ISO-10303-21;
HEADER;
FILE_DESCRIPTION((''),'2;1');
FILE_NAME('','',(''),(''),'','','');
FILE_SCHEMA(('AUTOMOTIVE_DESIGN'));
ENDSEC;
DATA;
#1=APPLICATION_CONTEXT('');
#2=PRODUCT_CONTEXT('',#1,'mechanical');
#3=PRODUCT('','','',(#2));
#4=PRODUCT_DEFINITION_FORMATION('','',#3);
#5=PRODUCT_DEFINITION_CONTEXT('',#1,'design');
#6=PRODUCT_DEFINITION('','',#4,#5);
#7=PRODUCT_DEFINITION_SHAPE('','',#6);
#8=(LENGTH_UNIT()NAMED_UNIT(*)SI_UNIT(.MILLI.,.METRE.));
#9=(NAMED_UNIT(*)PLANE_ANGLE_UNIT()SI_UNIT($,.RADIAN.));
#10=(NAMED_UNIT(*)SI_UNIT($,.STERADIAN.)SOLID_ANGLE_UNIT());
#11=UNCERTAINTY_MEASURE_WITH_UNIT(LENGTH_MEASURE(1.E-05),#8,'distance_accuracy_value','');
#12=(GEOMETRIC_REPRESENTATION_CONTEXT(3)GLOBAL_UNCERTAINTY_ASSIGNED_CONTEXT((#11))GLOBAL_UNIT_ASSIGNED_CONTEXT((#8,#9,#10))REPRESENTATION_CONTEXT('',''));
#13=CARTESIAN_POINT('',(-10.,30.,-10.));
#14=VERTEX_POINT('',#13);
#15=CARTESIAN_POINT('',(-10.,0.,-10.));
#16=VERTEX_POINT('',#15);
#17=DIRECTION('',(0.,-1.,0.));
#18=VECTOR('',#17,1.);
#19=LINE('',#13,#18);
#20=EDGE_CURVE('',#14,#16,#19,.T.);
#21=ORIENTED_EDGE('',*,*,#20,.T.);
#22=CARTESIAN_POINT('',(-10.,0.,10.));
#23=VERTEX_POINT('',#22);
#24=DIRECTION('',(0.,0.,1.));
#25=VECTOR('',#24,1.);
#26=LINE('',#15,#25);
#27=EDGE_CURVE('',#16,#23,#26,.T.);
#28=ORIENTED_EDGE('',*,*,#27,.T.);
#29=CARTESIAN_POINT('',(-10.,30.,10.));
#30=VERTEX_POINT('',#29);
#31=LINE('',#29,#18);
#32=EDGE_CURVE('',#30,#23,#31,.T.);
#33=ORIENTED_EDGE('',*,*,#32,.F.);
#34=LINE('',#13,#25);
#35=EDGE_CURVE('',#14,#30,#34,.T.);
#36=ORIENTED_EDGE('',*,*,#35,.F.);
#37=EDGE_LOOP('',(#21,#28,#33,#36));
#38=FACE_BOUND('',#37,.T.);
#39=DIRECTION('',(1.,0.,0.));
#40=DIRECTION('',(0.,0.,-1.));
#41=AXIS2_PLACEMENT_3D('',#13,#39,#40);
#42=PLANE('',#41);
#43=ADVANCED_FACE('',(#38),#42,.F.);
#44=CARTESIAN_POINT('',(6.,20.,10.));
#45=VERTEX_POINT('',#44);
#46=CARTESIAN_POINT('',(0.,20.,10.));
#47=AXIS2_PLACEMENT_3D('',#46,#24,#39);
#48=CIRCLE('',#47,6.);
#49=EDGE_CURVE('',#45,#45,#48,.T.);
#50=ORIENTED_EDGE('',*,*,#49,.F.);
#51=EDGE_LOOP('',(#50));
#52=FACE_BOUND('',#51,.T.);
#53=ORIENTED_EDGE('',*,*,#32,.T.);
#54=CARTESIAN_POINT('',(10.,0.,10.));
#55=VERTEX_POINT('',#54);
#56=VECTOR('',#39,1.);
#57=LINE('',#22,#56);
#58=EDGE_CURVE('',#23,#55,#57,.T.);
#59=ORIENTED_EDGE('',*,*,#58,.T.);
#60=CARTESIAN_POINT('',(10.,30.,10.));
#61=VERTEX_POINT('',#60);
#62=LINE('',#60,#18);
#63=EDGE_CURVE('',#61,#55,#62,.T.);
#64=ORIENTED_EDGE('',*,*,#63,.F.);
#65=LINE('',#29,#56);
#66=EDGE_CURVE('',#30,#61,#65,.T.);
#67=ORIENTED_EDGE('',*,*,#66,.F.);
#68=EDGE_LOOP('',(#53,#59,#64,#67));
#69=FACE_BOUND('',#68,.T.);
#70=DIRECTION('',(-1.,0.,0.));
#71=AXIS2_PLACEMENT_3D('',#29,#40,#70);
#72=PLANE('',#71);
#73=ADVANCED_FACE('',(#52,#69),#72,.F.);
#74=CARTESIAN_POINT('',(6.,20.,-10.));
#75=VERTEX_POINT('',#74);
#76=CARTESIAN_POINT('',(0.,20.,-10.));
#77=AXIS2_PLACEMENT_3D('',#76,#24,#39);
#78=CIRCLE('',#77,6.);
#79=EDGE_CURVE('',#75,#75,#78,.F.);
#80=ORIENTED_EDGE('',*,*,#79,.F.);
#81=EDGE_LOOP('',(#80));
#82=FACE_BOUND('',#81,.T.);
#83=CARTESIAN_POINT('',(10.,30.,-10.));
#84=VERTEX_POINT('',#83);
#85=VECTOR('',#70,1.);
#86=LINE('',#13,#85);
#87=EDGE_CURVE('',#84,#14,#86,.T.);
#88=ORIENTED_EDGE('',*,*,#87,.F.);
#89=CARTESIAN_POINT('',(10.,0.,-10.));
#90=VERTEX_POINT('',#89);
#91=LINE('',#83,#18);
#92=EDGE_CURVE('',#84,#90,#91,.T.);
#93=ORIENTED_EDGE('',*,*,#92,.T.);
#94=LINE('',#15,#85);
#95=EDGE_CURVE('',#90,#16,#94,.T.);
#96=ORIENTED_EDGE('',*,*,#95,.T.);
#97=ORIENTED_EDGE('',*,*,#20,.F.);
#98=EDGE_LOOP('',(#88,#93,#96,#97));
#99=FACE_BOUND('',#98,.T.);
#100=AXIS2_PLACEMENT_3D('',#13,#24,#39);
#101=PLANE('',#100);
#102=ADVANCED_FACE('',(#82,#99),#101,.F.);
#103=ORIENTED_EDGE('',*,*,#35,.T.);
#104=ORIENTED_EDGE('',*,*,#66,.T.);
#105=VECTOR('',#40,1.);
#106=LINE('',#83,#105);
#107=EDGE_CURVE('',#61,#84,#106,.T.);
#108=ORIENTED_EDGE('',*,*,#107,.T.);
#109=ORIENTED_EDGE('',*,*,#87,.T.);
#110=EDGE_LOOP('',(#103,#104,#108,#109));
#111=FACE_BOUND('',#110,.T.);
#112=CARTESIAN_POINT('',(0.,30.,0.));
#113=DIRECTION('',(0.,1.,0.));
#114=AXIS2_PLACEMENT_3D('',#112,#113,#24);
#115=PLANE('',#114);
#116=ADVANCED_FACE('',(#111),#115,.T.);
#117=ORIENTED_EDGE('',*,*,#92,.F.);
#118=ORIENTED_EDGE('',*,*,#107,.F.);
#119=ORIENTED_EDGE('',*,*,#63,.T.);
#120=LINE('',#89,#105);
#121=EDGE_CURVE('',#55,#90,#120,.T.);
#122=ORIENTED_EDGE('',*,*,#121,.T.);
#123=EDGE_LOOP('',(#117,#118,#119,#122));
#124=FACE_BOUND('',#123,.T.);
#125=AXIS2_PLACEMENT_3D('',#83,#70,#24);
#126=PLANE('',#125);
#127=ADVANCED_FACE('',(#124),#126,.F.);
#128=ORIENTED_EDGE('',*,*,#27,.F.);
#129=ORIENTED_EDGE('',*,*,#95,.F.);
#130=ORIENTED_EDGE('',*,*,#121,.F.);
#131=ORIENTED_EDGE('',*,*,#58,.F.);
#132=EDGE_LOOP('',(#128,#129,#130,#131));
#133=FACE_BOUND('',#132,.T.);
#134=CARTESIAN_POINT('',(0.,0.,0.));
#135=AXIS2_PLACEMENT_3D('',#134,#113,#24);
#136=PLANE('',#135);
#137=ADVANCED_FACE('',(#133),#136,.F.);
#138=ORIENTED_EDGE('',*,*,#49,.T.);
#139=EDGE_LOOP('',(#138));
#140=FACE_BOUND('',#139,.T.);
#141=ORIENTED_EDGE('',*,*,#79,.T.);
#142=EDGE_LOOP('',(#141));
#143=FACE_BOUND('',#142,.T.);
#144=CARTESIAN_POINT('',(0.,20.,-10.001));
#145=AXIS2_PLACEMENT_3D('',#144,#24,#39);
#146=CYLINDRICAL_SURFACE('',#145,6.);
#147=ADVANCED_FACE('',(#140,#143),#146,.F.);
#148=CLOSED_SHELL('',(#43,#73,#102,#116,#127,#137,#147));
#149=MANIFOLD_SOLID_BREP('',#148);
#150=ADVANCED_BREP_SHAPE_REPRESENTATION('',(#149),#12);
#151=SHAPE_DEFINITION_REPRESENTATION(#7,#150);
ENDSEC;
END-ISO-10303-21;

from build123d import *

# Parameters (mm, degrees)
SKETCH1_W           = 20
SKETCH1_H           = 20
BOSS_EXTRUDE2_DEPTH = 30
CUT_EXTRUDE1_REACH  = 22
SKETCH2_R           = 6


with BuildPart() as part:
    # Sketch1 → Boss-Extrude2 (new body)
    with BuildSketch(Plane(origin=(0, 0, 0), x_dir=(1, 0, 0), z_dir=(0, 1, 0))):
        Rectangle(SKETCH1_W, SKETCH1_H)
    extrude(amount=BOSS_EXTRUDE2_DEPTH)

    # Sketch2 → Cut-Extrude1 (cut, up to next)
    with BuildSketch(Plane.XY.offset(10), mode=Mode.PRIVATE) as cut_extrude1_sk1:
        with Locations((0, 20)):
            Circle(SKETCH2_R)
    cut_extrude1_tool1 = extrude(cut_extrude1_sk1.sketch, amount=-CUT_EXTRUDE1_REACH, mode=Mode.PRIVATE) & part.part
    add(cut_extrude1_tool1.solids().sort_by_distance((0, 20, 10))[0], mode=Mode.SUBTRACT)


solid = part.part
